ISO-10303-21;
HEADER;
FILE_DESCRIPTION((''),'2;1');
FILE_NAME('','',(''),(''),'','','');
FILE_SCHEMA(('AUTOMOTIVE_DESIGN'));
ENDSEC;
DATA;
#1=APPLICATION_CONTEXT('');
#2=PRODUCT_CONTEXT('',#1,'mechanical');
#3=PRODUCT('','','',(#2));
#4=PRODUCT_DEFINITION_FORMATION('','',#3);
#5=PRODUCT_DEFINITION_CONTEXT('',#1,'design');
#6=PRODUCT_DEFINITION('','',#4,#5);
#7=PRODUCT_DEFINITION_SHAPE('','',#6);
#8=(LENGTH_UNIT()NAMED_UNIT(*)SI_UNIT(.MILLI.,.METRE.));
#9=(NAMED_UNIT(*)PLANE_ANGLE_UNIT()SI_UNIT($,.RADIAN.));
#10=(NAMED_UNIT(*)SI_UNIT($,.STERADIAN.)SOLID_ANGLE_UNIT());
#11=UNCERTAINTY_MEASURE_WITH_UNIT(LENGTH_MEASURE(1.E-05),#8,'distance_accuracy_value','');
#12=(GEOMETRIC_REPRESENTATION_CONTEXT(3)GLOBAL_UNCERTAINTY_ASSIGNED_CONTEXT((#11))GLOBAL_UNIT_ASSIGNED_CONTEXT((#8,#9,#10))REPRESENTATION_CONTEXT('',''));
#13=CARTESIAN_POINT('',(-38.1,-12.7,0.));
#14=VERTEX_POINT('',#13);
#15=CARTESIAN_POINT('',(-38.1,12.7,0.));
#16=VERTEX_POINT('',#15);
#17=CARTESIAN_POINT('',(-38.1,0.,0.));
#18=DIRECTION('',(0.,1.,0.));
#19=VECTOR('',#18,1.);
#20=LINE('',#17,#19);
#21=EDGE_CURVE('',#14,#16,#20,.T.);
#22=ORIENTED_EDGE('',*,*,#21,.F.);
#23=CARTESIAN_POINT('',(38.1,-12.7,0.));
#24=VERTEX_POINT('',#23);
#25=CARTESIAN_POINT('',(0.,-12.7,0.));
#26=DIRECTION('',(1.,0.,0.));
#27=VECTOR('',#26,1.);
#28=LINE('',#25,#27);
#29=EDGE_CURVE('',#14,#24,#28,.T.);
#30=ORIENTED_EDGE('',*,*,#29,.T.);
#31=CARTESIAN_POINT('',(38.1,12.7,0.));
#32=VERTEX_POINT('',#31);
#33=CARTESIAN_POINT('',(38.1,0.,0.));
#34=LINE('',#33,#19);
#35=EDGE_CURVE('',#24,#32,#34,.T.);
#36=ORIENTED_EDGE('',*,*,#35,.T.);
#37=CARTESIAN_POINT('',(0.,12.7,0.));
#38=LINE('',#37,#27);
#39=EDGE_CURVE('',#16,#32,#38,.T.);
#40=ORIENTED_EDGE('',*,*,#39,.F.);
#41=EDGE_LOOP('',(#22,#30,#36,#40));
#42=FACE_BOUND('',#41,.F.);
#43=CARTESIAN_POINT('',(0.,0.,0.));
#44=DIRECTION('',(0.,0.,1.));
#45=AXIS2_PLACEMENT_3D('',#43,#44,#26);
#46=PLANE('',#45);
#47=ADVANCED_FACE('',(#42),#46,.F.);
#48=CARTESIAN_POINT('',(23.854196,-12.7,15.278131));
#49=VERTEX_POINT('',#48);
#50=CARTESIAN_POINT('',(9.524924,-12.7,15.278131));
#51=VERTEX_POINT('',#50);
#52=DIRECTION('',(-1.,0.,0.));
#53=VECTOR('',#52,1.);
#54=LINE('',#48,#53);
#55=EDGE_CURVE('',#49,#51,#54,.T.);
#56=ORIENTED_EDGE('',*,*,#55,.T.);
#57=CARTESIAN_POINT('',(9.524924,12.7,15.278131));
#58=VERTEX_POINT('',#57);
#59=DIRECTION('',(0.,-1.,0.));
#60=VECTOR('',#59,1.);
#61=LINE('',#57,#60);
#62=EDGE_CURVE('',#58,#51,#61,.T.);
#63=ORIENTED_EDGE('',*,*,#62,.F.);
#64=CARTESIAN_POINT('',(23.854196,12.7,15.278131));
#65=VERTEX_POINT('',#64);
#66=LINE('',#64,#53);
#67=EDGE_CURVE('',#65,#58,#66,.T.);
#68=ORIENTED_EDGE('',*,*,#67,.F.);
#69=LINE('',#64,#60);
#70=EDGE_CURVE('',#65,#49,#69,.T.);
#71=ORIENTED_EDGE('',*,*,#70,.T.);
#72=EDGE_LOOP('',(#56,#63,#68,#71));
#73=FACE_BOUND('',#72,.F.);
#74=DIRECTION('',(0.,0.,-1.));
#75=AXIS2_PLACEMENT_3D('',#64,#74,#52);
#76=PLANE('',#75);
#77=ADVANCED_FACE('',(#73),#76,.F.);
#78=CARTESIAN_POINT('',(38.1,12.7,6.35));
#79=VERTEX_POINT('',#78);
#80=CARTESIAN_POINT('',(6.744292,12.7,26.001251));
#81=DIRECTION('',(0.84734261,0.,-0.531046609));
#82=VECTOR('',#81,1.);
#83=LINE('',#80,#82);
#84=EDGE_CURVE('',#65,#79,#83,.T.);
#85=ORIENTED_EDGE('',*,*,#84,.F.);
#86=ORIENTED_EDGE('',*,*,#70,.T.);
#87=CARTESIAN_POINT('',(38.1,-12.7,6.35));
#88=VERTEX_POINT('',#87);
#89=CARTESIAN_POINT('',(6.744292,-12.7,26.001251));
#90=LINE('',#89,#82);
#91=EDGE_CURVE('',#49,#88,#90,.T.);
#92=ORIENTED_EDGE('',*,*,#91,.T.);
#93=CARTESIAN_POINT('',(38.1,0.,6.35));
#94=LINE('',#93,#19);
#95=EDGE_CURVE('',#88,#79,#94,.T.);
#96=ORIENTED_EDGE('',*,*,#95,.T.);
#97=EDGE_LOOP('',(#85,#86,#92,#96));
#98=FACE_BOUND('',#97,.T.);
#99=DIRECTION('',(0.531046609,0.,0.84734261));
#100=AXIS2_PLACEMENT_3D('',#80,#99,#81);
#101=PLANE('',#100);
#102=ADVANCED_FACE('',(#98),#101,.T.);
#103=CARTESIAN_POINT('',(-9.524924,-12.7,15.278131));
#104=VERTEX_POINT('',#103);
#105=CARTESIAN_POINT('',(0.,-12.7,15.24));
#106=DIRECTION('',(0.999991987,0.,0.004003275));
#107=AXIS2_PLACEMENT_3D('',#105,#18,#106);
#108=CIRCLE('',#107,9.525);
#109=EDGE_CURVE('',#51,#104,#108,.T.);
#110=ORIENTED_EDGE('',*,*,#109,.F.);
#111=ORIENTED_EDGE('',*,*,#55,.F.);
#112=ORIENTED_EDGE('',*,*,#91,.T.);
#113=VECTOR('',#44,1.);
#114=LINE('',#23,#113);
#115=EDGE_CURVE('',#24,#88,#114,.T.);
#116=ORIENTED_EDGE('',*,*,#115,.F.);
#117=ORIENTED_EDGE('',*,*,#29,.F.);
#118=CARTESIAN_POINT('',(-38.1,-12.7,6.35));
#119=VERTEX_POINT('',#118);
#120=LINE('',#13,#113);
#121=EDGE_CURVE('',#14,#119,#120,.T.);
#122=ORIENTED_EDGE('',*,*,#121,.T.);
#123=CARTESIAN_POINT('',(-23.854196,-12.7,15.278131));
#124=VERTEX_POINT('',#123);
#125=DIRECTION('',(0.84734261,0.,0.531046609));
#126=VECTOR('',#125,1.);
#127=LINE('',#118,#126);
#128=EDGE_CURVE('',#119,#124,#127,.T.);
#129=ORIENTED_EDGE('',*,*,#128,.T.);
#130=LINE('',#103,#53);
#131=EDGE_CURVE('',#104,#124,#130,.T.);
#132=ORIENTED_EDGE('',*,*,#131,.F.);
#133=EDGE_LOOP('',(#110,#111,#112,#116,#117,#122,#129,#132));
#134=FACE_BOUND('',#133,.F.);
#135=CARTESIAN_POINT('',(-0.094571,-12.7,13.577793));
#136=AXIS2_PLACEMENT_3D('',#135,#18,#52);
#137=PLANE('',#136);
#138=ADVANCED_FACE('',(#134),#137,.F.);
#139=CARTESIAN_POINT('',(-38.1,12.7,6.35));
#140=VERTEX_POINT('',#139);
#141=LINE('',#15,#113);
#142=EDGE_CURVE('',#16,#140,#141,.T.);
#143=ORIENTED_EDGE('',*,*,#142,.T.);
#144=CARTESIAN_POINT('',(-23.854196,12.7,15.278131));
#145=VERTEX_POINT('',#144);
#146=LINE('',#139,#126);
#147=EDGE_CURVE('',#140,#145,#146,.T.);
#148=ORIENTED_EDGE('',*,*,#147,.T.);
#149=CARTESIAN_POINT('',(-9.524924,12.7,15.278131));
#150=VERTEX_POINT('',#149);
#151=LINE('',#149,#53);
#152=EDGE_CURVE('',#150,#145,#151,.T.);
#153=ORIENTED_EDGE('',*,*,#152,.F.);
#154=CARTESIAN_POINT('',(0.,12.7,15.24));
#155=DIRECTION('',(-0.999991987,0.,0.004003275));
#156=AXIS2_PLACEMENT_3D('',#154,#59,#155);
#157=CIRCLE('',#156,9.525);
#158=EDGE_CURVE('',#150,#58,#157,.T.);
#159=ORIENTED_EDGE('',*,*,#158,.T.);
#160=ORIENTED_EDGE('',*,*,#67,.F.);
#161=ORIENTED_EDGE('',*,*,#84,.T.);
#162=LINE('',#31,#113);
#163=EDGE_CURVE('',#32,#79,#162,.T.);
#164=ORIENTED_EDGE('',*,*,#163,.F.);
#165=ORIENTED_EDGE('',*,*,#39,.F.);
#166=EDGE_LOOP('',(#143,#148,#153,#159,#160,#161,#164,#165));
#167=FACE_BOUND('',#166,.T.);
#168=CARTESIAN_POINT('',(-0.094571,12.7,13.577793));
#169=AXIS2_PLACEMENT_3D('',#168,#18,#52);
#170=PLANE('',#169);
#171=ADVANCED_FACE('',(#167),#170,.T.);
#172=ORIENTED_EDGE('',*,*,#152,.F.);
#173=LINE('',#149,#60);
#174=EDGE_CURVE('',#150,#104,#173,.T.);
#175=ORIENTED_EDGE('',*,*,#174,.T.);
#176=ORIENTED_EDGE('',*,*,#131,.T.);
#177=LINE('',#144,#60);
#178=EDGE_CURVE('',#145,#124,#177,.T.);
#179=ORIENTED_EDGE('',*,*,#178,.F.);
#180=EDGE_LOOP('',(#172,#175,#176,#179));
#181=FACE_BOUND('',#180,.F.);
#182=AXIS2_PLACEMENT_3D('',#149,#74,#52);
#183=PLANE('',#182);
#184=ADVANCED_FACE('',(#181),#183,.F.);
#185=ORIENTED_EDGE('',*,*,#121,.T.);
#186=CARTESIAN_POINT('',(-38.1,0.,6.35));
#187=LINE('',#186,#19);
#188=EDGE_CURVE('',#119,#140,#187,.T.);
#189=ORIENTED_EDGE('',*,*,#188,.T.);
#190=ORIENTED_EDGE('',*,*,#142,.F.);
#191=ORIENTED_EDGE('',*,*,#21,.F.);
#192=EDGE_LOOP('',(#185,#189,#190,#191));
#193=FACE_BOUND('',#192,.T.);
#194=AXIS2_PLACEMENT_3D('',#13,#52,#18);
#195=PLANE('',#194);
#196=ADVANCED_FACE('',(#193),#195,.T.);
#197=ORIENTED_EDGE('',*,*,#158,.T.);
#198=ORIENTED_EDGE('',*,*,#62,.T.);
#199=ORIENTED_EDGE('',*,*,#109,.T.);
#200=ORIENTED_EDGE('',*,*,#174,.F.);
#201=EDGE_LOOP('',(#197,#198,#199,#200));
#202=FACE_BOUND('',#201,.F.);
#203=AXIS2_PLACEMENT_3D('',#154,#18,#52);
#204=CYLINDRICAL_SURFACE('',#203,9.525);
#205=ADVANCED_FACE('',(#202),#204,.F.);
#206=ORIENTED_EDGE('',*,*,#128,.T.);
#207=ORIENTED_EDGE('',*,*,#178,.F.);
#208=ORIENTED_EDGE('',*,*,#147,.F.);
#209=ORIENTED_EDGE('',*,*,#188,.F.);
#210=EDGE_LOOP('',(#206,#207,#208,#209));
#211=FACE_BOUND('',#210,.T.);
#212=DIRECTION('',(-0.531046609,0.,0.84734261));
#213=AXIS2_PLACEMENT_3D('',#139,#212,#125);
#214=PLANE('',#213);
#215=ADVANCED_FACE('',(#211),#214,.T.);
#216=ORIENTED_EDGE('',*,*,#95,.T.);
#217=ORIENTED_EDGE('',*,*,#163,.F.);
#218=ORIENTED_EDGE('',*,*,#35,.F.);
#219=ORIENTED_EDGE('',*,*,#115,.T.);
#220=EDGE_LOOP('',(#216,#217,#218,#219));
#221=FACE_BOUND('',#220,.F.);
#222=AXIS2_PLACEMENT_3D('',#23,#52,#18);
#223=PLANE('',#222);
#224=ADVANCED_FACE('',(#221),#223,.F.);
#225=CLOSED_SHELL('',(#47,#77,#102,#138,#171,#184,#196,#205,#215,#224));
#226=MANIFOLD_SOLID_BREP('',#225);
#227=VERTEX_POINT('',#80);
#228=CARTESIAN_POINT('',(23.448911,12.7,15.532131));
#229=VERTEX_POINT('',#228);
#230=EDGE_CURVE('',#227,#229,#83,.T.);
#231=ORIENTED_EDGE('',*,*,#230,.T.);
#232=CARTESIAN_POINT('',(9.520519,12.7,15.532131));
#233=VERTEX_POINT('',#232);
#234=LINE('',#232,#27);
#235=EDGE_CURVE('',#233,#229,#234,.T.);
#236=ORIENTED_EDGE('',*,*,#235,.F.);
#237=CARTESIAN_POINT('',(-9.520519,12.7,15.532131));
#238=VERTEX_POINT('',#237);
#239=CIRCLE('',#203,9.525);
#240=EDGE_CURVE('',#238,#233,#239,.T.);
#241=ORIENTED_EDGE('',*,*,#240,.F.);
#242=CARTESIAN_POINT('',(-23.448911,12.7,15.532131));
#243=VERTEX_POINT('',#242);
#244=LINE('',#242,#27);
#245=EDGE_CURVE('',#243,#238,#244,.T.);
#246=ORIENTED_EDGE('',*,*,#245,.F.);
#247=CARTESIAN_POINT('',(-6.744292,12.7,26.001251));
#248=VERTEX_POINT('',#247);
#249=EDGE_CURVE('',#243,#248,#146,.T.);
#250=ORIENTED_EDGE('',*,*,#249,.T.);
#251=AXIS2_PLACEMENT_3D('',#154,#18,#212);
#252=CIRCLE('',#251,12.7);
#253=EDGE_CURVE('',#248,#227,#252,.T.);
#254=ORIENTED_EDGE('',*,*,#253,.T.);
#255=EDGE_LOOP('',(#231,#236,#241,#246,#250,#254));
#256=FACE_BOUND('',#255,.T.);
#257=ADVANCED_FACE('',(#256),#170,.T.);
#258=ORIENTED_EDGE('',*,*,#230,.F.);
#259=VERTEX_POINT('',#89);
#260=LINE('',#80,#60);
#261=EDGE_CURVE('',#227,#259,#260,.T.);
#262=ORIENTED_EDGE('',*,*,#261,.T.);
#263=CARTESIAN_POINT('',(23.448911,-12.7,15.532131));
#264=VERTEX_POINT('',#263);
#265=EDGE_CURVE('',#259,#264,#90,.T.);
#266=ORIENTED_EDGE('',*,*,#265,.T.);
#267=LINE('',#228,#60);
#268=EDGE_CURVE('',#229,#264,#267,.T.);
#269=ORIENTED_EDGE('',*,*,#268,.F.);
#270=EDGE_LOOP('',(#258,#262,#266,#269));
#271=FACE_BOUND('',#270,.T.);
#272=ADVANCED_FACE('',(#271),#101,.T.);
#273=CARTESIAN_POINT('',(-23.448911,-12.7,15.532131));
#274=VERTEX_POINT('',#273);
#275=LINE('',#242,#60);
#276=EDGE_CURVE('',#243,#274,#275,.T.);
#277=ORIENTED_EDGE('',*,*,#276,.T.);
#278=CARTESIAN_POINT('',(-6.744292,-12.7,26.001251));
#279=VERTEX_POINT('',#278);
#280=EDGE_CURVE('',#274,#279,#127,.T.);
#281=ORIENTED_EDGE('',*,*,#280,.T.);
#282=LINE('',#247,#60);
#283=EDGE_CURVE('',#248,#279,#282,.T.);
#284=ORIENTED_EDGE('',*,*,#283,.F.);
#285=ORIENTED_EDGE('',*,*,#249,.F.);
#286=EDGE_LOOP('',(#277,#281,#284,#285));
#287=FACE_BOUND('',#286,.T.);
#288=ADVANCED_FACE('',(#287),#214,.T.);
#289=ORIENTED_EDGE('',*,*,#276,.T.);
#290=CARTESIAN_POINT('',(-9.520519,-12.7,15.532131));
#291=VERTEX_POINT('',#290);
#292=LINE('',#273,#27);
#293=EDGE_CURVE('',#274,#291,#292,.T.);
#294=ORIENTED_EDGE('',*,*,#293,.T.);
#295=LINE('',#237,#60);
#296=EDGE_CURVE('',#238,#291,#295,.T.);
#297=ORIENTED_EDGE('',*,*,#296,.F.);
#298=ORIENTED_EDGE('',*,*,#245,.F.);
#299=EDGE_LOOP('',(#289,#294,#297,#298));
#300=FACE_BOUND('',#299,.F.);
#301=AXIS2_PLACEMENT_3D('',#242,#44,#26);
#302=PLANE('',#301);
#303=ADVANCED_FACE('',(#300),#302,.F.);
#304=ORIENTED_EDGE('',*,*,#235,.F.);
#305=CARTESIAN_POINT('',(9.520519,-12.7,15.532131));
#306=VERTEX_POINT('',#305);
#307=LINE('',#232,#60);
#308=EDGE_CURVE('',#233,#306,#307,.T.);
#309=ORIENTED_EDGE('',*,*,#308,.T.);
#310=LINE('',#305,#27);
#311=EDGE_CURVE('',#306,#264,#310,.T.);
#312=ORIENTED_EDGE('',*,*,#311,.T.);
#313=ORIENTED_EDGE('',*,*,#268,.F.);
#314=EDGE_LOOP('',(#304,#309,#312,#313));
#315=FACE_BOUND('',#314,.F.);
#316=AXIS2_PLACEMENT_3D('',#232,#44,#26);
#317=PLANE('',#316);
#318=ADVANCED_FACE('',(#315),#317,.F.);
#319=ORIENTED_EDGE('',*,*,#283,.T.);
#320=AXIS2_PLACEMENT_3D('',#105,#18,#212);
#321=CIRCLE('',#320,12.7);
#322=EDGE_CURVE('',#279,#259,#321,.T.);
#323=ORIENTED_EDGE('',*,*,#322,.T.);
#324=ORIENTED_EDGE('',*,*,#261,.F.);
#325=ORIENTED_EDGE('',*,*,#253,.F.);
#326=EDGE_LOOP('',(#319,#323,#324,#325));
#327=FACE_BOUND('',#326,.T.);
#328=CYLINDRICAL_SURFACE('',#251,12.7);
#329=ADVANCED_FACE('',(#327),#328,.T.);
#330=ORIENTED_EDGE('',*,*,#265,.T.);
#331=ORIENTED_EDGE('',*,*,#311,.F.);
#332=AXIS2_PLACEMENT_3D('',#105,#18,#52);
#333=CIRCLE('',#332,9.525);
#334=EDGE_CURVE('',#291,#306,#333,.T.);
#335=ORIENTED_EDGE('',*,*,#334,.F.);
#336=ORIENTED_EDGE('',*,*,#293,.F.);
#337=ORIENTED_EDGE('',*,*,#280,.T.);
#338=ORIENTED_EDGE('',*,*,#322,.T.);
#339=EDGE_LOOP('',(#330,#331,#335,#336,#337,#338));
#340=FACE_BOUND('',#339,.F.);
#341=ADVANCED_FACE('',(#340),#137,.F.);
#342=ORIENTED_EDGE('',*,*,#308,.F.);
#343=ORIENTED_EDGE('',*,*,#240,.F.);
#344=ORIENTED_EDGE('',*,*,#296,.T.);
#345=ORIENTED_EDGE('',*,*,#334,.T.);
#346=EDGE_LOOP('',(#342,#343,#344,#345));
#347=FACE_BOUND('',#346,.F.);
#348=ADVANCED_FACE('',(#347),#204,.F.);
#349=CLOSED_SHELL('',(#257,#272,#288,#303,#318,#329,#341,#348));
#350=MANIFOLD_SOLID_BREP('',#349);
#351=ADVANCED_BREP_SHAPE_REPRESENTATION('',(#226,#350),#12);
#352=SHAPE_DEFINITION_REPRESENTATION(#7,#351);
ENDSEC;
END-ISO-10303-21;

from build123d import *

# Parameters (mm, degrees)
F0_W     = 76.2
F0_H     = 25.4
F1_DEPTH = 6.35
F3_DEPTH = 25.4
F4_R     = 9.525
F5_DEPTH = 25.4
F7_DEPTH = 25.4


with BuildPart() as f1:
    # F0 (on Top) → F1 (new body)
    with BuildSketch(Plane.XY):
        Rectangle(F0_W, F0_H)
    extrude(amount=F1_DEPTH)

    # F2 (on face) → F3 (join, through all)
    with BuildSketch(Plane(origin=(0, 12.7, 0), x_dir=(-1, 0, 0), z_dir=(0, 1, 0))):
        with BuildLine():
            ThreePointArc((-3.4195796525, 6.35), (-5.3923153102, 23.0916597351), (9.525, 15.24))
            ThreePointArc((9.525, 15.24), (7.8516597351, 9.8476846898), (3.4195796525, 6.35))
            Line((3.4195796525, 6.35), (38.1, 6.35))
            Line((38.1, 6.35), (6.7442919348, 26.0012511493))
            ThreePointArc((6.7442919348, 26.0012511493), (0, 27.94), (-6.7442919348, 26.0012511493))
            Line((-6.7442919348, 26.0012511493), (-38.1, 6.35))
            Line((-38.1, 6.35), (-3.4195796525, 6.35))
        make_face()
        with BuildLine():
            ThreePointArc((3.4195796525, 6.35), (7.8516597351, 9.8476846898), (9.525, 15.24))
            ThreePointArc((9.525, 15.24), (-5.3923153102, 23.0916597351), (-3.4195796525, 6.35))
            Line((-3.4195796525, 6.35), (3.4195796525, 6.35))
        make_face()
    extrude(amount=-F3_DEPTH)

    # F4 (on face) → F5 (cut, through all)
    with BuildSketch(Plane(origin=(0, 12.7, 0), x_dir=(-1, 0, 0), z_dir=(0, 1, 0))):
        with Locations((0, 15.24)):
            Circle(F4_R)
    extrude(amount=-F5_DEPTH, mode=Mode.SUBTRACT)

    # F6 (on face) → F7 (cut, through all)
    with BuildSketch(Plane(origin=(0, 12.7, 0), x_dir=(-1, 0, 0), z_dir=(0, 1, 0))):
        with BuildLine():
            Line((23.4489112285, 15.5321311916), (9.5205191228, 15.5321311916))
            ThreePointArc((9.5205191228, 15.5321311916), (9.5235682304, 15.4051458763), (9.5249236749, 15.2781311916))
            Line((9.5249236749, 15.2781311916), (23.8541958482, 15.2781311916))
            Line((23.8541958482, 15.2781311916), (23.4489112285, 15.5321311916))
        make_face()
        with BuildLine():
            Line((-9.5205191228, 15.5321311916), (-23.4489112285, 15.5321311916))
            Line((-23.4489112285, 15.5321311916), (-23.8541958482, 15.2781311916))
            Line((-23.8541958482, 15.2781311916), (-9.5249236749, 15.2781311916))
            ThreePointArc((-9.5249236749, 15.2781311916), (-9.5235682304, 15.4051458763), (-9.5205191228, 15.5321311916))
        make_face()
    extrude(amount=-F7_DEPTH, mode=Mode.SUBTRACT)


solid = f1.part
